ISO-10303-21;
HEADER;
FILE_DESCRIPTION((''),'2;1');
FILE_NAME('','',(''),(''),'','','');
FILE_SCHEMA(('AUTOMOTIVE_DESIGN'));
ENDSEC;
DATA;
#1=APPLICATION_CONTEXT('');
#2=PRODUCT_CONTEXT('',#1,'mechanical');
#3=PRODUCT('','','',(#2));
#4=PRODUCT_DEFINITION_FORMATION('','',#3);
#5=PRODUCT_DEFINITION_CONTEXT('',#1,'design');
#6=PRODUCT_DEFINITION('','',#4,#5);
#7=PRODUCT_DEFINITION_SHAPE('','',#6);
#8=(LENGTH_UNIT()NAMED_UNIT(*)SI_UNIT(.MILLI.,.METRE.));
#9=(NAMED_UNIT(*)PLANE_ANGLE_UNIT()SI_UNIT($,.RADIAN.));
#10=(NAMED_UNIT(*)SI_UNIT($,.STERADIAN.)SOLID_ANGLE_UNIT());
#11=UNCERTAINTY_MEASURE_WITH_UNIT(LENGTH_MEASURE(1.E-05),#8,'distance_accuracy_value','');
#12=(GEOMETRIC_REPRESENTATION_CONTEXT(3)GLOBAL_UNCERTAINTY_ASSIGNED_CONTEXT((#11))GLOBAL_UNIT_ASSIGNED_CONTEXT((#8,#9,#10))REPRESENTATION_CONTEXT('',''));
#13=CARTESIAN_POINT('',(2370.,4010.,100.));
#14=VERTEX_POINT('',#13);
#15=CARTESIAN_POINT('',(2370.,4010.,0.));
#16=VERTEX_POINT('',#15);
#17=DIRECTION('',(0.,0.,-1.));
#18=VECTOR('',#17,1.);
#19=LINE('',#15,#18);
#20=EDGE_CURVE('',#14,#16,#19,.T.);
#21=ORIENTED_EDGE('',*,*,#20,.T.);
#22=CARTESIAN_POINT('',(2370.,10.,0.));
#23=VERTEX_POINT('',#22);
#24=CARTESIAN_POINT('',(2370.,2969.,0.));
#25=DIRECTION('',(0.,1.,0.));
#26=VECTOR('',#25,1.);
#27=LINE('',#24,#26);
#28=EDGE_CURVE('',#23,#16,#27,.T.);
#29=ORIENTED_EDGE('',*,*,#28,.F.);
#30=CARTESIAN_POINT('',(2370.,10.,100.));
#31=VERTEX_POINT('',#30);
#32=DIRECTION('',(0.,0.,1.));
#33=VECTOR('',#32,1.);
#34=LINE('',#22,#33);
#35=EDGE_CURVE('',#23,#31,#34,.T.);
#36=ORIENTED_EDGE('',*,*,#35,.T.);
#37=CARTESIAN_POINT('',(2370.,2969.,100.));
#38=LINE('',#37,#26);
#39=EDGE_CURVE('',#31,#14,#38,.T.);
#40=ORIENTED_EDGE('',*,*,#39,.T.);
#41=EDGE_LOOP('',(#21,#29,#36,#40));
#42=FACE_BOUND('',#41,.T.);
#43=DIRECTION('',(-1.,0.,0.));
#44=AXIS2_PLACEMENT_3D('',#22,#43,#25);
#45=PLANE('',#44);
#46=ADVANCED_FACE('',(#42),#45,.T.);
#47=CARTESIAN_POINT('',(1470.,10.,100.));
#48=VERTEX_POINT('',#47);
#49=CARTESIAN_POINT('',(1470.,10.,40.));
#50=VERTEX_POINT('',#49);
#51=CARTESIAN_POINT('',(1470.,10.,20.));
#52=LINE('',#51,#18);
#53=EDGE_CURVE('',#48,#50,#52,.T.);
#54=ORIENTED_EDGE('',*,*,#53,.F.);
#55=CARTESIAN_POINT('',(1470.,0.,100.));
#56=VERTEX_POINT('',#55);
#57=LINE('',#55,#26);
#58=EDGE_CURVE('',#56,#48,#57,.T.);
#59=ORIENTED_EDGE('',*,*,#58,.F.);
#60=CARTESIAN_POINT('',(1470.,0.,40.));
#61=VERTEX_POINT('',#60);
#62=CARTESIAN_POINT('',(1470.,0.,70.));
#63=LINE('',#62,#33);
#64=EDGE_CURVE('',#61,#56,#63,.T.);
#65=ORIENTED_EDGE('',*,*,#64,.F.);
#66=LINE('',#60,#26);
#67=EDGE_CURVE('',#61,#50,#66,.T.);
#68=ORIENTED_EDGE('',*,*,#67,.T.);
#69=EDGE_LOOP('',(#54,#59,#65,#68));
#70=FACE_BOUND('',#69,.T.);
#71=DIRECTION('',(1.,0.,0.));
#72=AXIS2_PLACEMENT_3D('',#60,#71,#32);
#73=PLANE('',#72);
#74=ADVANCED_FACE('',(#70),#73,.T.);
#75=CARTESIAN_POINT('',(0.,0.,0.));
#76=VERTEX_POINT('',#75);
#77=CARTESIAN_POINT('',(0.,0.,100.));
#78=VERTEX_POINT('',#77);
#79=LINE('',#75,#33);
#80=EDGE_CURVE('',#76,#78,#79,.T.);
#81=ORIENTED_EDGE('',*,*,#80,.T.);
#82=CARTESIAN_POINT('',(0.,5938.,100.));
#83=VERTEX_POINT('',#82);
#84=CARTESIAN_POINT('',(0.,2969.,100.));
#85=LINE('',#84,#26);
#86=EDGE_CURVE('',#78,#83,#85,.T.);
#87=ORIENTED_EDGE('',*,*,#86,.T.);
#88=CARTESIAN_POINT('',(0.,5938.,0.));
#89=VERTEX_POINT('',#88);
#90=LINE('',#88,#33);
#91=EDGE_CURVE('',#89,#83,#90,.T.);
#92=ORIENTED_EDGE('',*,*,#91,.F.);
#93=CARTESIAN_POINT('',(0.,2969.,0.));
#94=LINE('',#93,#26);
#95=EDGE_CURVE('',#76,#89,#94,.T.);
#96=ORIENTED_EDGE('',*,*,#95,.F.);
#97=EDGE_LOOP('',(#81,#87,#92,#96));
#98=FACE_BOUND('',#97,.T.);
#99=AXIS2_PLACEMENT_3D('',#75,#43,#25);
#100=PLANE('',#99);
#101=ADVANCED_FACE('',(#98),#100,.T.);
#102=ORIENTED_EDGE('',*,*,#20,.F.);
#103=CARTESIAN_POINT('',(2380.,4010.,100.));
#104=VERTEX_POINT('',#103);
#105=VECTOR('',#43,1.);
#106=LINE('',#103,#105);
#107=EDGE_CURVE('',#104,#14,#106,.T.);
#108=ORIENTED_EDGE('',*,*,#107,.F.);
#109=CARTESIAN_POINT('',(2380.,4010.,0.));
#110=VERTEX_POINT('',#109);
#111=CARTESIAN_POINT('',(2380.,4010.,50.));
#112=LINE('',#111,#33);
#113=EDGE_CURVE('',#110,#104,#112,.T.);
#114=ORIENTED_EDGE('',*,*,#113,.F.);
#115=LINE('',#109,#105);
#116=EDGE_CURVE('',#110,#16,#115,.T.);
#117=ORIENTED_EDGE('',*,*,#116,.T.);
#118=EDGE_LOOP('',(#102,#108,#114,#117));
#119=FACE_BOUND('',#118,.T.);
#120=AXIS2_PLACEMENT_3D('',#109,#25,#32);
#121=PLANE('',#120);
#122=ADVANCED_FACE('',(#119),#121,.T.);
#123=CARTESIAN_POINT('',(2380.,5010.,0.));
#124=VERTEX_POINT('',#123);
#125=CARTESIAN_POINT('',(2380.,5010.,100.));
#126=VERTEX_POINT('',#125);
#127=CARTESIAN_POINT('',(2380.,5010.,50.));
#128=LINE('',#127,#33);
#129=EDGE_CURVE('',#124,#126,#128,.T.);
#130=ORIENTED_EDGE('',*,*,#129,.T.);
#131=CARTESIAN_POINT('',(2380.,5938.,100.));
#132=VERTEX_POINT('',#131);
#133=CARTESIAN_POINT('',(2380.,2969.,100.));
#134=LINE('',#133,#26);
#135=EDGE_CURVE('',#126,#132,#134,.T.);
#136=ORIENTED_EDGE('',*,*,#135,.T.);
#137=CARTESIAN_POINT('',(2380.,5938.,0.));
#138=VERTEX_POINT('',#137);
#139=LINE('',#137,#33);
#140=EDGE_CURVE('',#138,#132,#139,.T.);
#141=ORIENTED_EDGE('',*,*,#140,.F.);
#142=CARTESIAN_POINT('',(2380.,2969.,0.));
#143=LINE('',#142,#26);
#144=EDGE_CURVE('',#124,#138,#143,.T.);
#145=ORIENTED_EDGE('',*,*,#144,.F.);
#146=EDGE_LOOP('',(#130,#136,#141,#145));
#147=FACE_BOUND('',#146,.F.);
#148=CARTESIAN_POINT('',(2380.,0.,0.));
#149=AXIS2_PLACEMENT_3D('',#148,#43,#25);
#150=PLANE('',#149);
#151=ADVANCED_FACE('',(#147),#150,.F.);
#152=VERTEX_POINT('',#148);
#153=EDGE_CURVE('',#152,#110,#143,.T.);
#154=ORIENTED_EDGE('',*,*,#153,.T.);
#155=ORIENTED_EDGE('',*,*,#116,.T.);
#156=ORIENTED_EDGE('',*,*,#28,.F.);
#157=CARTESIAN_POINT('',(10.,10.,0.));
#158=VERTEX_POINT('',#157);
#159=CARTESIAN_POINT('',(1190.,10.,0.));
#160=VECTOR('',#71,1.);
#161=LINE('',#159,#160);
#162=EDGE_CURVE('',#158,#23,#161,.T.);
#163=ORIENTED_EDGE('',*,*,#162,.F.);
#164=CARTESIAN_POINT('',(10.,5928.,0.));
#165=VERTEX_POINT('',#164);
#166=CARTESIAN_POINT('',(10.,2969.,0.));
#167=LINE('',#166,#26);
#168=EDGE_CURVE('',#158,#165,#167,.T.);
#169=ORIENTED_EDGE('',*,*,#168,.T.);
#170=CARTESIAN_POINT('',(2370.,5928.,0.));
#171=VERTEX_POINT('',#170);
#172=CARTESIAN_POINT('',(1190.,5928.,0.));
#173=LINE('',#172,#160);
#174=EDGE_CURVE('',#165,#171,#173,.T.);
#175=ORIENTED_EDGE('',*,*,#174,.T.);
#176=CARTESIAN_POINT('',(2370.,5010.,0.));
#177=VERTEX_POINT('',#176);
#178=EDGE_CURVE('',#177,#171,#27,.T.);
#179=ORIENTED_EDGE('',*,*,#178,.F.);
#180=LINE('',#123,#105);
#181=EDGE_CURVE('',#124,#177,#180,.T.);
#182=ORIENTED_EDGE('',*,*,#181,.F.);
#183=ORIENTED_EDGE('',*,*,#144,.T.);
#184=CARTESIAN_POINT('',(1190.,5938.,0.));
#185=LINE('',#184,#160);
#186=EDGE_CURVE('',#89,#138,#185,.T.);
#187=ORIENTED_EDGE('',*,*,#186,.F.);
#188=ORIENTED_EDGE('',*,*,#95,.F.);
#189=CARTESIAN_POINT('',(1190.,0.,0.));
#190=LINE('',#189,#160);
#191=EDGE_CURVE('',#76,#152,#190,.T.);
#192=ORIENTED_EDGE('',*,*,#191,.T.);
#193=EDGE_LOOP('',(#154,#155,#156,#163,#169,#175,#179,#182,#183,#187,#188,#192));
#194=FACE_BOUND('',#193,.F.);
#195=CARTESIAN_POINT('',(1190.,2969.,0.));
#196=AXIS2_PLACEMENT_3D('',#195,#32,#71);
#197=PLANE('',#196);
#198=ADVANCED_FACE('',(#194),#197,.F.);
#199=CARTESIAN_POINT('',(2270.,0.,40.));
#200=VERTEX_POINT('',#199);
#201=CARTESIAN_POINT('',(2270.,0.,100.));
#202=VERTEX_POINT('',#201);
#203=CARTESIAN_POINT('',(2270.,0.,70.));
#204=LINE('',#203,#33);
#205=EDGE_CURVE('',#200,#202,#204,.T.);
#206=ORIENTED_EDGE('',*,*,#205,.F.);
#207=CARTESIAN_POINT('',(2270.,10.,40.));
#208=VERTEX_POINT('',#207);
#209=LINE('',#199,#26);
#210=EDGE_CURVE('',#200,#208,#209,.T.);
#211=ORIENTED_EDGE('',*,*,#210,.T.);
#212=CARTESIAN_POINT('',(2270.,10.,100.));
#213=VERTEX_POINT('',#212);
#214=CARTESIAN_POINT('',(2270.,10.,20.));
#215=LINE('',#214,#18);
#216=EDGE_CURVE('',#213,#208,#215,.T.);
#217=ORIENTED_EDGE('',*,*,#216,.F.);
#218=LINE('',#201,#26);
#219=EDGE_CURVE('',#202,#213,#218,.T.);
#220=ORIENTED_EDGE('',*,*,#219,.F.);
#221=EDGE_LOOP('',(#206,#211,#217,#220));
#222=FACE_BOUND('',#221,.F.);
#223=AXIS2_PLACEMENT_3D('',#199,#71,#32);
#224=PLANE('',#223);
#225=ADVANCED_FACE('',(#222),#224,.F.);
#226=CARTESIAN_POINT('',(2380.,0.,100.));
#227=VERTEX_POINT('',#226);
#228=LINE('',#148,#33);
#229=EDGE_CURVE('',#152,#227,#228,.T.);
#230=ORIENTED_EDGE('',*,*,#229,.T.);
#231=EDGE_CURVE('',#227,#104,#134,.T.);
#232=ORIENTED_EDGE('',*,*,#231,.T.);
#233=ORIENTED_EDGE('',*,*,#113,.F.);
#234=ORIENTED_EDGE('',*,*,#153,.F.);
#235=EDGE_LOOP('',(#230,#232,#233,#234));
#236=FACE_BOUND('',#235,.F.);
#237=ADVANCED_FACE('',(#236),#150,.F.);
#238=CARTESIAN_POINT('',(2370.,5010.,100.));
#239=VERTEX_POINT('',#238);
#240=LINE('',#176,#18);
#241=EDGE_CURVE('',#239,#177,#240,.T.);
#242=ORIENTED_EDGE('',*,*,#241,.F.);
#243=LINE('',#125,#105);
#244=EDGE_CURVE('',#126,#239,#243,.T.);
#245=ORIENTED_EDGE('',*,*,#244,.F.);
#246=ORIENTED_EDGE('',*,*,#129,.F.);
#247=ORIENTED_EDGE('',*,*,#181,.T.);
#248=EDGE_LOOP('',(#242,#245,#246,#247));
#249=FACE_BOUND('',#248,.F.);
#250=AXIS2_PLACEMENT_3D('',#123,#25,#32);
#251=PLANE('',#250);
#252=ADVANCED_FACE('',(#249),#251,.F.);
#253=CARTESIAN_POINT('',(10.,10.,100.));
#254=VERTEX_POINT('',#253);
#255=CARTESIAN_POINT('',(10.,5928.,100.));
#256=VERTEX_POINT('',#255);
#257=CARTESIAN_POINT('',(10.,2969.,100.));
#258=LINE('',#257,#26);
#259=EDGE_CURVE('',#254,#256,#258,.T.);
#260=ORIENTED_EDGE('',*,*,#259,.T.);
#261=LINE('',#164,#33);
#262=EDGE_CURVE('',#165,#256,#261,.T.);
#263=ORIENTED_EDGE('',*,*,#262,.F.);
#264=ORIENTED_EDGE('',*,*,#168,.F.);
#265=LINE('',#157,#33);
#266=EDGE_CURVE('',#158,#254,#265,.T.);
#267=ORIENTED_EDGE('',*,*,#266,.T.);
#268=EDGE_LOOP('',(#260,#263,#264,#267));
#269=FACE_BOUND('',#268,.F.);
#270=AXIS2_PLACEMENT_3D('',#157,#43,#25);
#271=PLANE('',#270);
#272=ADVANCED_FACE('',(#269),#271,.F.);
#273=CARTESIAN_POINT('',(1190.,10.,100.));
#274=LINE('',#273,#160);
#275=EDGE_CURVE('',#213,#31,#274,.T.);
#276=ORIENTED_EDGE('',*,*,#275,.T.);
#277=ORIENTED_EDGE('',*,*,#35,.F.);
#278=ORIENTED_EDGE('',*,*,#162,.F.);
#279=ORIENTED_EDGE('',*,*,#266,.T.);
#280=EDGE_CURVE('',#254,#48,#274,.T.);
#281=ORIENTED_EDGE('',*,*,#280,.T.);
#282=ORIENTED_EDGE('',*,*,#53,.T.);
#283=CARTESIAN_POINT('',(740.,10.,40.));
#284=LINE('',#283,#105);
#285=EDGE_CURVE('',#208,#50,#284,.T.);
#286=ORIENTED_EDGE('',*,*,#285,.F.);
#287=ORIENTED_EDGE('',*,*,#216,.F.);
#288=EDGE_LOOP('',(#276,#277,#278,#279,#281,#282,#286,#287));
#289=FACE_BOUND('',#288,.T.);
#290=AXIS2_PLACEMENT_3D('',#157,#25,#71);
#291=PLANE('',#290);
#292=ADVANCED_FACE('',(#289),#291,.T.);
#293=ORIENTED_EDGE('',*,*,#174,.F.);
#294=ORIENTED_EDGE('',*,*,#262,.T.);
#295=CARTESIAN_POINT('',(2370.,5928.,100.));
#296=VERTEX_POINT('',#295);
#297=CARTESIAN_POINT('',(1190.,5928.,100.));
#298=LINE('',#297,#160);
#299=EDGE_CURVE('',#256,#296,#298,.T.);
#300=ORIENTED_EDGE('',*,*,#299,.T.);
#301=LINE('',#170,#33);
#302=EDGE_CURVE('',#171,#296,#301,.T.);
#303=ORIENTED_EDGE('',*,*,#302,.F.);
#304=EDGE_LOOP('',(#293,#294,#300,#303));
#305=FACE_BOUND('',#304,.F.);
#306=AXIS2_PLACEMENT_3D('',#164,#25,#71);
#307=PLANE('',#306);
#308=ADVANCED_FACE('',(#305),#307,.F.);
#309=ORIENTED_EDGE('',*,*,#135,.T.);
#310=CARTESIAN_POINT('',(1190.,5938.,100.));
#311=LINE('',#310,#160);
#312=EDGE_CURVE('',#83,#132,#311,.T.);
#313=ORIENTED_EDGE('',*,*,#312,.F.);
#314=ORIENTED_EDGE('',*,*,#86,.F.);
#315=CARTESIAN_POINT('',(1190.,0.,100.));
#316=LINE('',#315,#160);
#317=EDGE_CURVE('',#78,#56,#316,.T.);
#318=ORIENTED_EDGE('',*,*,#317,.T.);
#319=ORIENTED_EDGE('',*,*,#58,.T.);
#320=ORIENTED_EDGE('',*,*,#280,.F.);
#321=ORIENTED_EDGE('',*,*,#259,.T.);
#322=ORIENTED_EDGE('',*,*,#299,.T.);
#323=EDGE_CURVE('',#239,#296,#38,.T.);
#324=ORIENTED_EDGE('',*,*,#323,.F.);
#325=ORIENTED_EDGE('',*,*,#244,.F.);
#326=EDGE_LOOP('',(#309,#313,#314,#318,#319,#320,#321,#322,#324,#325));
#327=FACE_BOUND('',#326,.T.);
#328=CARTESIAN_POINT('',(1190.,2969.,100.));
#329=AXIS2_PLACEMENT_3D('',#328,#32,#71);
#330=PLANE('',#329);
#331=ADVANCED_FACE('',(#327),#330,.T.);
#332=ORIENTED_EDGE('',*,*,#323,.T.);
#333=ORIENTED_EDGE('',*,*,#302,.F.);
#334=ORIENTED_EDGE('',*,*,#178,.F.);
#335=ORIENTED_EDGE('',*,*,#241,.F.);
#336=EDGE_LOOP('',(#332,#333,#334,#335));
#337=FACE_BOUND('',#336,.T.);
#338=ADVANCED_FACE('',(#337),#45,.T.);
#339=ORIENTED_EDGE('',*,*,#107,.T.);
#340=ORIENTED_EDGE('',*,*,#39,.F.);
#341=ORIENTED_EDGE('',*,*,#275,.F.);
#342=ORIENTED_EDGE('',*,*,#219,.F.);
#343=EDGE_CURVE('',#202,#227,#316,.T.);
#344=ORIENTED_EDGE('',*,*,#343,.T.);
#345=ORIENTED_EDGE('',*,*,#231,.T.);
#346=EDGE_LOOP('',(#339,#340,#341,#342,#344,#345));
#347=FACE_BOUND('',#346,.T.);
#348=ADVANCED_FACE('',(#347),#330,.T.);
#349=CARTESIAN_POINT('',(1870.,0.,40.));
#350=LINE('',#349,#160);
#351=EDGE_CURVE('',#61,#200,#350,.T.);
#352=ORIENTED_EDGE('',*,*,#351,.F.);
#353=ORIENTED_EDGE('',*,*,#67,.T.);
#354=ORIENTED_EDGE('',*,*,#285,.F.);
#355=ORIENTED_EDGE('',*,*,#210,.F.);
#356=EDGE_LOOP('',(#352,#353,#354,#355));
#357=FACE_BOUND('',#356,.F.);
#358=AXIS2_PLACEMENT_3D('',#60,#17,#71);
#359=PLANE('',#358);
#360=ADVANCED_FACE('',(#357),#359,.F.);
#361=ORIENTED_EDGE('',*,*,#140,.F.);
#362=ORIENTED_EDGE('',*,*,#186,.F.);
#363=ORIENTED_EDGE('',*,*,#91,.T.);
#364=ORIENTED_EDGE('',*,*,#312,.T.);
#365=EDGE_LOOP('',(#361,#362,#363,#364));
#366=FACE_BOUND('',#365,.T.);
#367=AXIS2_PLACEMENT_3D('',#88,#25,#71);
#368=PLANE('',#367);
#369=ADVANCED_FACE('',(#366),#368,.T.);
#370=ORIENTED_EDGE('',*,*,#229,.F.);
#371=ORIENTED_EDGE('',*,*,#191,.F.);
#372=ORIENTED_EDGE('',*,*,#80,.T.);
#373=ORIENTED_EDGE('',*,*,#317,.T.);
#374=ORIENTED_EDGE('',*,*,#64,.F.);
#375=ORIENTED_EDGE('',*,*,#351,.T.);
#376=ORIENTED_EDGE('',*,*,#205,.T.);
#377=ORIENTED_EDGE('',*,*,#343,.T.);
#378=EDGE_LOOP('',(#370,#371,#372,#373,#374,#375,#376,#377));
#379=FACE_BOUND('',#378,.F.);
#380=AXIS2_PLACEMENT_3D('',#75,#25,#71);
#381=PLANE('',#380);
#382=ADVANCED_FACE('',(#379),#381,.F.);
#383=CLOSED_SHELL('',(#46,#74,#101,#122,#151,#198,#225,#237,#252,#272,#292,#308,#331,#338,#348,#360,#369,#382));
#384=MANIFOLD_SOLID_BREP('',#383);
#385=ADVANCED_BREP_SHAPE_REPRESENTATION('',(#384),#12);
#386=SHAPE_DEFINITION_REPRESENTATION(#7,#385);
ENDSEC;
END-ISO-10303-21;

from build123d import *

# Parameters (mm, degrees)
F0_W     = 2380
F0_H     = 5938
F0_W_2   = 2360
F0_H_2   = 5918
F1_DEPTH = 100
F2_W     = 1000
F2_H     = 100
F3_DEPTH = 25
F4_W     = 800
F4_H     = 60
F5_DEPTH = 25


with BuildPart() as f1:
    # F0 (on Top) → F1 (new body)
    with BuildSketch(Plane.XY):
        with Locations((1190, 2969)):
            Rectangle(F0_W, F0_H)
        with Locations((1190, 2969)):
            Rectangle(F0_W_2, F0_H_2, mode=Mode.SUBTRACT)
    extrude(amount=F1_DEPTH)

    # F2 (on face) → F3 (cut)
    with BuildSketch(Plane.YZ.offset(2380)):
        with Locations((4510, 50)):
            Rectangle(F2_W, F2_H)
    extrude(amount=-F3_DEPTH, mode=Mode.SUBTRACT)

    # F4 (on face) → F5 (cut)
    with BuildSketch(Plane.XZ):
        with Locations((1870, 70)):
            Rectangle(F4_W, F4_H)
    extrude(amount=-F5_DEPTH, mode=Mode.SUBTRACT)


solid = f1.part
